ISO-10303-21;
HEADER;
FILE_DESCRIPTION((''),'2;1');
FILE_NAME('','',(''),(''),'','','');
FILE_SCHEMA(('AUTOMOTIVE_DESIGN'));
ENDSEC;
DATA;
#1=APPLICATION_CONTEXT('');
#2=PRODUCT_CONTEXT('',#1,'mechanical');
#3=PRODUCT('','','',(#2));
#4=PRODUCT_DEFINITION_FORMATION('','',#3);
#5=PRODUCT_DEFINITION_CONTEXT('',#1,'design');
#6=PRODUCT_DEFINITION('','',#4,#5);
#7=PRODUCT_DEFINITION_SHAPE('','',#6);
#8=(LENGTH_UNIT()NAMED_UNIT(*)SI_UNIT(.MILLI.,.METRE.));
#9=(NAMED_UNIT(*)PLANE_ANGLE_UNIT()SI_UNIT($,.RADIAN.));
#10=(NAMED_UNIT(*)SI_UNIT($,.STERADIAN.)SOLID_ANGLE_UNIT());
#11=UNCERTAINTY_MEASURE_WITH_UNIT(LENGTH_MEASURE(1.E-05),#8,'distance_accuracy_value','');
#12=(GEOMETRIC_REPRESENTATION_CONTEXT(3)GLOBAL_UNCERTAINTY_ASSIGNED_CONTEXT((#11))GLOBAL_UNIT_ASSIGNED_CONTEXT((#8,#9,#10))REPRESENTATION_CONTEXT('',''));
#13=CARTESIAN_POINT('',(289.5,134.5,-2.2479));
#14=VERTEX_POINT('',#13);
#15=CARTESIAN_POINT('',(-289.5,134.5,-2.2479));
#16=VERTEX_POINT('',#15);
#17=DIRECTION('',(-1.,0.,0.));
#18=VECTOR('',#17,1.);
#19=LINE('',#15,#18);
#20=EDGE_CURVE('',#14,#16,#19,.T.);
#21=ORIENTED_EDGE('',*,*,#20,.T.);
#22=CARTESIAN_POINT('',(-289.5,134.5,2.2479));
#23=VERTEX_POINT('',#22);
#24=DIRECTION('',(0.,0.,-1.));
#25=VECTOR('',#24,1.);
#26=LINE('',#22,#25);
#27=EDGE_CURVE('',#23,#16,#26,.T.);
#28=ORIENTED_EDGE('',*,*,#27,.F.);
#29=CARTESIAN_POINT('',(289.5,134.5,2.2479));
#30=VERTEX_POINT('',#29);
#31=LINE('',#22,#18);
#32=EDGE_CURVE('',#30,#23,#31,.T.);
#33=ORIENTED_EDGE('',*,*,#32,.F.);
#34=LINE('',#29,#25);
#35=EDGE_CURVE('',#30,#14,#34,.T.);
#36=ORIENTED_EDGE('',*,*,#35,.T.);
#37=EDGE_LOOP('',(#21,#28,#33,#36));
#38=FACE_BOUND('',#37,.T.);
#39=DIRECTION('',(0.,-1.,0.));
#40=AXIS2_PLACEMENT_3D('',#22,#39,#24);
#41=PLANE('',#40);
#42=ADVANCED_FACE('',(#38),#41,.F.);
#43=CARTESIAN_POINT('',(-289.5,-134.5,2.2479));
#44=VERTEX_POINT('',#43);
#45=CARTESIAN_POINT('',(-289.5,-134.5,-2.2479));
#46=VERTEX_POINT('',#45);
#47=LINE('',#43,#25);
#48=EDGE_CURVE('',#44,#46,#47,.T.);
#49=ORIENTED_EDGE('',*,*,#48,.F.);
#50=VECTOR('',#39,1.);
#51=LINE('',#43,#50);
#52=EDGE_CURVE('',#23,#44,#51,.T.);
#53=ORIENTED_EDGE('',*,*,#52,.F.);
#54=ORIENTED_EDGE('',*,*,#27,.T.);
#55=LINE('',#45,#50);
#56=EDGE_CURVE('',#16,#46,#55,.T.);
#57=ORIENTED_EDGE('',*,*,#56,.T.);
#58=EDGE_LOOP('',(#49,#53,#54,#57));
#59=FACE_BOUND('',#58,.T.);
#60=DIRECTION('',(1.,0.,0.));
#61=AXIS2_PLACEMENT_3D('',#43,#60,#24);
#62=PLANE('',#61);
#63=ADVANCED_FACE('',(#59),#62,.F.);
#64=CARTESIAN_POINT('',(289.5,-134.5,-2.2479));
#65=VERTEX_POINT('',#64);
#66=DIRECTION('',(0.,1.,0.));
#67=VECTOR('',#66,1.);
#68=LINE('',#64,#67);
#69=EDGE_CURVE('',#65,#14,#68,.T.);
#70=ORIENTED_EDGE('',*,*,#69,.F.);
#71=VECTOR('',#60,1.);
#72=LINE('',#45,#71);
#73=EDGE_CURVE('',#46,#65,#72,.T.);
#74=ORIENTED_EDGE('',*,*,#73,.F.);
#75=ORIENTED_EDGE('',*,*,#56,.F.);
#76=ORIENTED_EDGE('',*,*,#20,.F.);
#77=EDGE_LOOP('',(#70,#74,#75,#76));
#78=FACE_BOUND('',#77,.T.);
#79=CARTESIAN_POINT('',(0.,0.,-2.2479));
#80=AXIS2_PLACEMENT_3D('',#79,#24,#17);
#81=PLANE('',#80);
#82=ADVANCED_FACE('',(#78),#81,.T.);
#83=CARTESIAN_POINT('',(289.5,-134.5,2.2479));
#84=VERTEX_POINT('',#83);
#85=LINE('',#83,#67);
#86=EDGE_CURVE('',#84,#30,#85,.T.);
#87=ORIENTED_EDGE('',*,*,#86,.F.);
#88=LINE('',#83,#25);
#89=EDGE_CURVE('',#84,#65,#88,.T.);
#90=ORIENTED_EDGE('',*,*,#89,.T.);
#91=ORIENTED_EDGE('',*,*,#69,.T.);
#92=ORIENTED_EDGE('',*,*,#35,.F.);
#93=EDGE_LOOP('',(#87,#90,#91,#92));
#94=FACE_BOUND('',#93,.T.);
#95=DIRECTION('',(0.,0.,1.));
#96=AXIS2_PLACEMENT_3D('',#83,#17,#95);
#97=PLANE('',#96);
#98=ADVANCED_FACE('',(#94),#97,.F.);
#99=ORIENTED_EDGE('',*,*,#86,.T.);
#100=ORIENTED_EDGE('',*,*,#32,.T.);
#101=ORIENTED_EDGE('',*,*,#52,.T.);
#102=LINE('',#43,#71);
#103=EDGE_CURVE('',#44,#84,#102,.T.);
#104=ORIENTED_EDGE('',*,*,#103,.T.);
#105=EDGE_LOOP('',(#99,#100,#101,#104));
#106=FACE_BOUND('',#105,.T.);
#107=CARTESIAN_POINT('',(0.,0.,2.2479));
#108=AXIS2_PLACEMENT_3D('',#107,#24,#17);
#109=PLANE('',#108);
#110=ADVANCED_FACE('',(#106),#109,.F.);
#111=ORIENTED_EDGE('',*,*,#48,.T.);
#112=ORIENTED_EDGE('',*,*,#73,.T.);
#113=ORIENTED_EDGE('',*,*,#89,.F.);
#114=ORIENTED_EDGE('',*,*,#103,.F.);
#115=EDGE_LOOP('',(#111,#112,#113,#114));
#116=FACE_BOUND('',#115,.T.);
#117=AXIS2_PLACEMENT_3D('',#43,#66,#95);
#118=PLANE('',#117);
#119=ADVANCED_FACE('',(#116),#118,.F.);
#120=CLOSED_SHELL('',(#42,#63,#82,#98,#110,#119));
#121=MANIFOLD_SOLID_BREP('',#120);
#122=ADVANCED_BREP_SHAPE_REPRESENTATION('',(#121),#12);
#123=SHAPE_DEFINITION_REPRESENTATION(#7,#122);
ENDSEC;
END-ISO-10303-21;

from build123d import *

# Parameters (mm, degrees)
SKETCH1_W           = 579
SKETCH1_H           = 269
BOSS_EXTRUDE1_DEPTH = 2.2479


with BuildPart() as part:
    # Sketch1 → Boss-Extrude1 (new body, symmetric)
    with BuildSketch(Plane.XY):
        Rectangle(SKETCH1_W, SKETCH1_H)
    extrude(amount=BOSS_EXTRUDE1_DEPTH, both=True)


solid = part.part
